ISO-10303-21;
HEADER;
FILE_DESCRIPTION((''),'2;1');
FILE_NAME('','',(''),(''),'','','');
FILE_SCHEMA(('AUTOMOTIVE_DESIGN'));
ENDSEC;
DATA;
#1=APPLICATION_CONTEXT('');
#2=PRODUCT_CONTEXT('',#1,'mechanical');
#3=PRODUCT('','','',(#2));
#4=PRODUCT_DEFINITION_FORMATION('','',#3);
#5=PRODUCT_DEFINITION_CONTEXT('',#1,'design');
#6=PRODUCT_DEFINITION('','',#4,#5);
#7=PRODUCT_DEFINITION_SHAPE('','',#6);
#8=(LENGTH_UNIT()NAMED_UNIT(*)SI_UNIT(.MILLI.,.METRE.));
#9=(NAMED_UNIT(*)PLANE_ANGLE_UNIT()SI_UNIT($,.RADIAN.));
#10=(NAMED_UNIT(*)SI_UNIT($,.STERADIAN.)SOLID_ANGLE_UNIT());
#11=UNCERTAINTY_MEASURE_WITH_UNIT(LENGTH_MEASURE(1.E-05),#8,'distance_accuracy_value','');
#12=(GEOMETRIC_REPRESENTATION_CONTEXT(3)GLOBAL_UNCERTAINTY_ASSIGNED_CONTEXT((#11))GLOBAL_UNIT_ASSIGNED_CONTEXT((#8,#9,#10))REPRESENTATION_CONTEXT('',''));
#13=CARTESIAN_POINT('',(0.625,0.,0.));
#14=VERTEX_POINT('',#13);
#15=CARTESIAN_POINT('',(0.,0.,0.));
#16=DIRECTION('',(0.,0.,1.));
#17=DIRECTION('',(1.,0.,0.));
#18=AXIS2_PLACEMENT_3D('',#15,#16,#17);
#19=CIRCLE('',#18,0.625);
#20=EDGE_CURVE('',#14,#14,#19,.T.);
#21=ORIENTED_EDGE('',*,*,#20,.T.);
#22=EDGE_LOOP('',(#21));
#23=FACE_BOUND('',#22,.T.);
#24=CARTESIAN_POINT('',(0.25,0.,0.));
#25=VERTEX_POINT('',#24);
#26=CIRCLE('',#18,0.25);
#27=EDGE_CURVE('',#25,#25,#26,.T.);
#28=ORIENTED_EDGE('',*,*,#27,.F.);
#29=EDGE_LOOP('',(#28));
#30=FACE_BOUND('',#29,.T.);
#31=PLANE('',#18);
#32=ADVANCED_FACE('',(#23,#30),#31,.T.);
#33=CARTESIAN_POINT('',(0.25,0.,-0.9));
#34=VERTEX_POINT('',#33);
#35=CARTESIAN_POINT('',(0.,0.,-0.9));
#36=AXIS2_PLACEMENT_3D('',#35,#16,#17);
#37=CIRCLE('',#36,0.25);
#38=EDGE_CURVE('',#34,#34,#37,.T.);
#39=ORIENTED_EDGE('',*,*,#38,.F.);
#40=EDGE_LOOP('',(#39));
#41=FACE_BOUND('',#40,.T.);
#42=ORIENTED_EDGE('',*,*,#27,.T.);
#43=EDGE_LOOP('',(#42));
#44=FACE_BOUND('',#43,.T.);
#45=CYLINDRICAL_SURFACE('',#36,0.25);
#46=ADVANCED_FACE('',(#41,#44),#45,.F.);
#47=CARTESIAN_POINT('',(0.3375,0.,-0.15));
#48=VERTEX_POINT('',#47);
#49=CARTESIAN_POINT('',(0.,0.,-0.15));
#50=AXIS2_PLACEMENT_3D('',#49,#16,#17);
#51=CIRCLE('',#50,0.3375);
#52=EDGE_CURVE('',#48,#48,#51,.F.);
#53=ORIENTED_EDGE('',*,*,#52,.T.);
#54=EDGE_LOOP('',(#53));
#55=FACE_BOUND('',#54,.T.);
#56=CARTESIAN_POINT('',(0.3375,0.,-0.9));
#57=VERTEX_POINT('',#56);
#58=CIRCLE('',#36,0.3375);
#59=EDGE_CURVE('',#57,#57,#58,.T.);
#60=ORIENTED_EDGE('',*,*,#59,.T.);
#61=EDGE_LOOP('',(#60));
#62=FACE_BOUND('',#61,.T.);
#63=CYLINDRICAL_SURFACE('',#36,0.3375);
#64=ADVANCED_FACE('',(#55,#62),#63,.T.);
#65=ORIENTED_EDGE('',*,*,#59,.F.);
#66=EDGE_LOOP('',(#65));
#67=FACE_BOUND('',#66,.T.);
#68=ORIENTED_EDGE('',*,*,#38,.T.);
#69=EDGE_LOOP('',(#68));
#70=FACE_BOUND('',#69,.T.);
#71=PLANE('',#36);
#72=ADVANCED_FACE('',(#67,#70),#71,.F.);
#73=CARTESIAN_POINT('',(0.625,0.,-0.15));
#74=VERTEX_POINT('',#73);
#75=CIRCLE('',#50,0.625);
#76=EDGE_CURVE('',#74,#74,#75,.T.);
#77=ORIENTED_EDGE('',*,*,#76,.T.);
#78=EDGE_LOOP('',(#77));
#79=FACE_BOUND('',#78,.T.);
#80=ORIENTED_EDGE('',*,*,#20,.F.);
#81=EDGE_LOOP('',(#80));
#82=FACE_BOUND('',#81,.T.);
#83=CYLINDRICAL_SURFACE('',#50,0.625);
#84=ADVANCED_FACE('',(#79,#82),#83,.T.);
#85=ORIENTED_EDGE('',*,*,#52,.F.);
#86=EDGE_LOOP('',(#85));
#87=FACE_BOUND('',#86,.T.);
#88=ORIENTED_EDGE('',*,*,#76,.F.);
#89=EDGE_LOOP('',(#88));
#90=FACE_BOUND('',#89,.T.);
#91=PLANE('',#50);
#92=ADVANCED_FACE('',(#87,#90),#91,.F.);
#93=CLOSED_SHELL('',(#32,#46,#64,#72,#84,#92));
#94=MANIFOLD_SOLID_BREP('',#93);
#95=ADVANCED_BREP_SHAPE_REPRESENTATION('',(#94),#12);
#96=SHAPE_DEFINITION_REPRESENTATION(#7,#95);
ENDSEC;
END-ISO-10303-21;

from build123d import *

# Parameters (mm, degrees)
SKETCH1_R           = 0.3375
BOSS_EXTRUDE1_DEPTH = 0.9
SKETCH2_R           = 0.625
BOSS_EXTRUDE2_DEPTH = 0.15
SKETCH3_R           = 0.25
CUT_EXTRUDE1_DEPTH  = 1.9


with BuildPart() as part:
    # Sketch1 → Boss-Extrude1 (new body)
    with BuildSketch(Plane.XY):
        Circle(SKETCH1_R)
    extrude(amount=-BOSS_EXTRUDE1_DEPTH)

    # Sketch2 → Boss-Extrude2 (add)
    with BuildSketch(Plane.XY):
        Circle(SKETCH2_R)
    extrude(amount=-BOSS_EXTRUDE2_DEPTH)

    # Sketch3 → Cut-Extrude1 (cut, through all)
    with BuildSketch(Plane.XY):
        Circle(SKETCH3_R)
    extrude(amount=-CUT_EXTRUDE1_DEPTH, mode=Mode.SUBTRACT)


solid = part.part
